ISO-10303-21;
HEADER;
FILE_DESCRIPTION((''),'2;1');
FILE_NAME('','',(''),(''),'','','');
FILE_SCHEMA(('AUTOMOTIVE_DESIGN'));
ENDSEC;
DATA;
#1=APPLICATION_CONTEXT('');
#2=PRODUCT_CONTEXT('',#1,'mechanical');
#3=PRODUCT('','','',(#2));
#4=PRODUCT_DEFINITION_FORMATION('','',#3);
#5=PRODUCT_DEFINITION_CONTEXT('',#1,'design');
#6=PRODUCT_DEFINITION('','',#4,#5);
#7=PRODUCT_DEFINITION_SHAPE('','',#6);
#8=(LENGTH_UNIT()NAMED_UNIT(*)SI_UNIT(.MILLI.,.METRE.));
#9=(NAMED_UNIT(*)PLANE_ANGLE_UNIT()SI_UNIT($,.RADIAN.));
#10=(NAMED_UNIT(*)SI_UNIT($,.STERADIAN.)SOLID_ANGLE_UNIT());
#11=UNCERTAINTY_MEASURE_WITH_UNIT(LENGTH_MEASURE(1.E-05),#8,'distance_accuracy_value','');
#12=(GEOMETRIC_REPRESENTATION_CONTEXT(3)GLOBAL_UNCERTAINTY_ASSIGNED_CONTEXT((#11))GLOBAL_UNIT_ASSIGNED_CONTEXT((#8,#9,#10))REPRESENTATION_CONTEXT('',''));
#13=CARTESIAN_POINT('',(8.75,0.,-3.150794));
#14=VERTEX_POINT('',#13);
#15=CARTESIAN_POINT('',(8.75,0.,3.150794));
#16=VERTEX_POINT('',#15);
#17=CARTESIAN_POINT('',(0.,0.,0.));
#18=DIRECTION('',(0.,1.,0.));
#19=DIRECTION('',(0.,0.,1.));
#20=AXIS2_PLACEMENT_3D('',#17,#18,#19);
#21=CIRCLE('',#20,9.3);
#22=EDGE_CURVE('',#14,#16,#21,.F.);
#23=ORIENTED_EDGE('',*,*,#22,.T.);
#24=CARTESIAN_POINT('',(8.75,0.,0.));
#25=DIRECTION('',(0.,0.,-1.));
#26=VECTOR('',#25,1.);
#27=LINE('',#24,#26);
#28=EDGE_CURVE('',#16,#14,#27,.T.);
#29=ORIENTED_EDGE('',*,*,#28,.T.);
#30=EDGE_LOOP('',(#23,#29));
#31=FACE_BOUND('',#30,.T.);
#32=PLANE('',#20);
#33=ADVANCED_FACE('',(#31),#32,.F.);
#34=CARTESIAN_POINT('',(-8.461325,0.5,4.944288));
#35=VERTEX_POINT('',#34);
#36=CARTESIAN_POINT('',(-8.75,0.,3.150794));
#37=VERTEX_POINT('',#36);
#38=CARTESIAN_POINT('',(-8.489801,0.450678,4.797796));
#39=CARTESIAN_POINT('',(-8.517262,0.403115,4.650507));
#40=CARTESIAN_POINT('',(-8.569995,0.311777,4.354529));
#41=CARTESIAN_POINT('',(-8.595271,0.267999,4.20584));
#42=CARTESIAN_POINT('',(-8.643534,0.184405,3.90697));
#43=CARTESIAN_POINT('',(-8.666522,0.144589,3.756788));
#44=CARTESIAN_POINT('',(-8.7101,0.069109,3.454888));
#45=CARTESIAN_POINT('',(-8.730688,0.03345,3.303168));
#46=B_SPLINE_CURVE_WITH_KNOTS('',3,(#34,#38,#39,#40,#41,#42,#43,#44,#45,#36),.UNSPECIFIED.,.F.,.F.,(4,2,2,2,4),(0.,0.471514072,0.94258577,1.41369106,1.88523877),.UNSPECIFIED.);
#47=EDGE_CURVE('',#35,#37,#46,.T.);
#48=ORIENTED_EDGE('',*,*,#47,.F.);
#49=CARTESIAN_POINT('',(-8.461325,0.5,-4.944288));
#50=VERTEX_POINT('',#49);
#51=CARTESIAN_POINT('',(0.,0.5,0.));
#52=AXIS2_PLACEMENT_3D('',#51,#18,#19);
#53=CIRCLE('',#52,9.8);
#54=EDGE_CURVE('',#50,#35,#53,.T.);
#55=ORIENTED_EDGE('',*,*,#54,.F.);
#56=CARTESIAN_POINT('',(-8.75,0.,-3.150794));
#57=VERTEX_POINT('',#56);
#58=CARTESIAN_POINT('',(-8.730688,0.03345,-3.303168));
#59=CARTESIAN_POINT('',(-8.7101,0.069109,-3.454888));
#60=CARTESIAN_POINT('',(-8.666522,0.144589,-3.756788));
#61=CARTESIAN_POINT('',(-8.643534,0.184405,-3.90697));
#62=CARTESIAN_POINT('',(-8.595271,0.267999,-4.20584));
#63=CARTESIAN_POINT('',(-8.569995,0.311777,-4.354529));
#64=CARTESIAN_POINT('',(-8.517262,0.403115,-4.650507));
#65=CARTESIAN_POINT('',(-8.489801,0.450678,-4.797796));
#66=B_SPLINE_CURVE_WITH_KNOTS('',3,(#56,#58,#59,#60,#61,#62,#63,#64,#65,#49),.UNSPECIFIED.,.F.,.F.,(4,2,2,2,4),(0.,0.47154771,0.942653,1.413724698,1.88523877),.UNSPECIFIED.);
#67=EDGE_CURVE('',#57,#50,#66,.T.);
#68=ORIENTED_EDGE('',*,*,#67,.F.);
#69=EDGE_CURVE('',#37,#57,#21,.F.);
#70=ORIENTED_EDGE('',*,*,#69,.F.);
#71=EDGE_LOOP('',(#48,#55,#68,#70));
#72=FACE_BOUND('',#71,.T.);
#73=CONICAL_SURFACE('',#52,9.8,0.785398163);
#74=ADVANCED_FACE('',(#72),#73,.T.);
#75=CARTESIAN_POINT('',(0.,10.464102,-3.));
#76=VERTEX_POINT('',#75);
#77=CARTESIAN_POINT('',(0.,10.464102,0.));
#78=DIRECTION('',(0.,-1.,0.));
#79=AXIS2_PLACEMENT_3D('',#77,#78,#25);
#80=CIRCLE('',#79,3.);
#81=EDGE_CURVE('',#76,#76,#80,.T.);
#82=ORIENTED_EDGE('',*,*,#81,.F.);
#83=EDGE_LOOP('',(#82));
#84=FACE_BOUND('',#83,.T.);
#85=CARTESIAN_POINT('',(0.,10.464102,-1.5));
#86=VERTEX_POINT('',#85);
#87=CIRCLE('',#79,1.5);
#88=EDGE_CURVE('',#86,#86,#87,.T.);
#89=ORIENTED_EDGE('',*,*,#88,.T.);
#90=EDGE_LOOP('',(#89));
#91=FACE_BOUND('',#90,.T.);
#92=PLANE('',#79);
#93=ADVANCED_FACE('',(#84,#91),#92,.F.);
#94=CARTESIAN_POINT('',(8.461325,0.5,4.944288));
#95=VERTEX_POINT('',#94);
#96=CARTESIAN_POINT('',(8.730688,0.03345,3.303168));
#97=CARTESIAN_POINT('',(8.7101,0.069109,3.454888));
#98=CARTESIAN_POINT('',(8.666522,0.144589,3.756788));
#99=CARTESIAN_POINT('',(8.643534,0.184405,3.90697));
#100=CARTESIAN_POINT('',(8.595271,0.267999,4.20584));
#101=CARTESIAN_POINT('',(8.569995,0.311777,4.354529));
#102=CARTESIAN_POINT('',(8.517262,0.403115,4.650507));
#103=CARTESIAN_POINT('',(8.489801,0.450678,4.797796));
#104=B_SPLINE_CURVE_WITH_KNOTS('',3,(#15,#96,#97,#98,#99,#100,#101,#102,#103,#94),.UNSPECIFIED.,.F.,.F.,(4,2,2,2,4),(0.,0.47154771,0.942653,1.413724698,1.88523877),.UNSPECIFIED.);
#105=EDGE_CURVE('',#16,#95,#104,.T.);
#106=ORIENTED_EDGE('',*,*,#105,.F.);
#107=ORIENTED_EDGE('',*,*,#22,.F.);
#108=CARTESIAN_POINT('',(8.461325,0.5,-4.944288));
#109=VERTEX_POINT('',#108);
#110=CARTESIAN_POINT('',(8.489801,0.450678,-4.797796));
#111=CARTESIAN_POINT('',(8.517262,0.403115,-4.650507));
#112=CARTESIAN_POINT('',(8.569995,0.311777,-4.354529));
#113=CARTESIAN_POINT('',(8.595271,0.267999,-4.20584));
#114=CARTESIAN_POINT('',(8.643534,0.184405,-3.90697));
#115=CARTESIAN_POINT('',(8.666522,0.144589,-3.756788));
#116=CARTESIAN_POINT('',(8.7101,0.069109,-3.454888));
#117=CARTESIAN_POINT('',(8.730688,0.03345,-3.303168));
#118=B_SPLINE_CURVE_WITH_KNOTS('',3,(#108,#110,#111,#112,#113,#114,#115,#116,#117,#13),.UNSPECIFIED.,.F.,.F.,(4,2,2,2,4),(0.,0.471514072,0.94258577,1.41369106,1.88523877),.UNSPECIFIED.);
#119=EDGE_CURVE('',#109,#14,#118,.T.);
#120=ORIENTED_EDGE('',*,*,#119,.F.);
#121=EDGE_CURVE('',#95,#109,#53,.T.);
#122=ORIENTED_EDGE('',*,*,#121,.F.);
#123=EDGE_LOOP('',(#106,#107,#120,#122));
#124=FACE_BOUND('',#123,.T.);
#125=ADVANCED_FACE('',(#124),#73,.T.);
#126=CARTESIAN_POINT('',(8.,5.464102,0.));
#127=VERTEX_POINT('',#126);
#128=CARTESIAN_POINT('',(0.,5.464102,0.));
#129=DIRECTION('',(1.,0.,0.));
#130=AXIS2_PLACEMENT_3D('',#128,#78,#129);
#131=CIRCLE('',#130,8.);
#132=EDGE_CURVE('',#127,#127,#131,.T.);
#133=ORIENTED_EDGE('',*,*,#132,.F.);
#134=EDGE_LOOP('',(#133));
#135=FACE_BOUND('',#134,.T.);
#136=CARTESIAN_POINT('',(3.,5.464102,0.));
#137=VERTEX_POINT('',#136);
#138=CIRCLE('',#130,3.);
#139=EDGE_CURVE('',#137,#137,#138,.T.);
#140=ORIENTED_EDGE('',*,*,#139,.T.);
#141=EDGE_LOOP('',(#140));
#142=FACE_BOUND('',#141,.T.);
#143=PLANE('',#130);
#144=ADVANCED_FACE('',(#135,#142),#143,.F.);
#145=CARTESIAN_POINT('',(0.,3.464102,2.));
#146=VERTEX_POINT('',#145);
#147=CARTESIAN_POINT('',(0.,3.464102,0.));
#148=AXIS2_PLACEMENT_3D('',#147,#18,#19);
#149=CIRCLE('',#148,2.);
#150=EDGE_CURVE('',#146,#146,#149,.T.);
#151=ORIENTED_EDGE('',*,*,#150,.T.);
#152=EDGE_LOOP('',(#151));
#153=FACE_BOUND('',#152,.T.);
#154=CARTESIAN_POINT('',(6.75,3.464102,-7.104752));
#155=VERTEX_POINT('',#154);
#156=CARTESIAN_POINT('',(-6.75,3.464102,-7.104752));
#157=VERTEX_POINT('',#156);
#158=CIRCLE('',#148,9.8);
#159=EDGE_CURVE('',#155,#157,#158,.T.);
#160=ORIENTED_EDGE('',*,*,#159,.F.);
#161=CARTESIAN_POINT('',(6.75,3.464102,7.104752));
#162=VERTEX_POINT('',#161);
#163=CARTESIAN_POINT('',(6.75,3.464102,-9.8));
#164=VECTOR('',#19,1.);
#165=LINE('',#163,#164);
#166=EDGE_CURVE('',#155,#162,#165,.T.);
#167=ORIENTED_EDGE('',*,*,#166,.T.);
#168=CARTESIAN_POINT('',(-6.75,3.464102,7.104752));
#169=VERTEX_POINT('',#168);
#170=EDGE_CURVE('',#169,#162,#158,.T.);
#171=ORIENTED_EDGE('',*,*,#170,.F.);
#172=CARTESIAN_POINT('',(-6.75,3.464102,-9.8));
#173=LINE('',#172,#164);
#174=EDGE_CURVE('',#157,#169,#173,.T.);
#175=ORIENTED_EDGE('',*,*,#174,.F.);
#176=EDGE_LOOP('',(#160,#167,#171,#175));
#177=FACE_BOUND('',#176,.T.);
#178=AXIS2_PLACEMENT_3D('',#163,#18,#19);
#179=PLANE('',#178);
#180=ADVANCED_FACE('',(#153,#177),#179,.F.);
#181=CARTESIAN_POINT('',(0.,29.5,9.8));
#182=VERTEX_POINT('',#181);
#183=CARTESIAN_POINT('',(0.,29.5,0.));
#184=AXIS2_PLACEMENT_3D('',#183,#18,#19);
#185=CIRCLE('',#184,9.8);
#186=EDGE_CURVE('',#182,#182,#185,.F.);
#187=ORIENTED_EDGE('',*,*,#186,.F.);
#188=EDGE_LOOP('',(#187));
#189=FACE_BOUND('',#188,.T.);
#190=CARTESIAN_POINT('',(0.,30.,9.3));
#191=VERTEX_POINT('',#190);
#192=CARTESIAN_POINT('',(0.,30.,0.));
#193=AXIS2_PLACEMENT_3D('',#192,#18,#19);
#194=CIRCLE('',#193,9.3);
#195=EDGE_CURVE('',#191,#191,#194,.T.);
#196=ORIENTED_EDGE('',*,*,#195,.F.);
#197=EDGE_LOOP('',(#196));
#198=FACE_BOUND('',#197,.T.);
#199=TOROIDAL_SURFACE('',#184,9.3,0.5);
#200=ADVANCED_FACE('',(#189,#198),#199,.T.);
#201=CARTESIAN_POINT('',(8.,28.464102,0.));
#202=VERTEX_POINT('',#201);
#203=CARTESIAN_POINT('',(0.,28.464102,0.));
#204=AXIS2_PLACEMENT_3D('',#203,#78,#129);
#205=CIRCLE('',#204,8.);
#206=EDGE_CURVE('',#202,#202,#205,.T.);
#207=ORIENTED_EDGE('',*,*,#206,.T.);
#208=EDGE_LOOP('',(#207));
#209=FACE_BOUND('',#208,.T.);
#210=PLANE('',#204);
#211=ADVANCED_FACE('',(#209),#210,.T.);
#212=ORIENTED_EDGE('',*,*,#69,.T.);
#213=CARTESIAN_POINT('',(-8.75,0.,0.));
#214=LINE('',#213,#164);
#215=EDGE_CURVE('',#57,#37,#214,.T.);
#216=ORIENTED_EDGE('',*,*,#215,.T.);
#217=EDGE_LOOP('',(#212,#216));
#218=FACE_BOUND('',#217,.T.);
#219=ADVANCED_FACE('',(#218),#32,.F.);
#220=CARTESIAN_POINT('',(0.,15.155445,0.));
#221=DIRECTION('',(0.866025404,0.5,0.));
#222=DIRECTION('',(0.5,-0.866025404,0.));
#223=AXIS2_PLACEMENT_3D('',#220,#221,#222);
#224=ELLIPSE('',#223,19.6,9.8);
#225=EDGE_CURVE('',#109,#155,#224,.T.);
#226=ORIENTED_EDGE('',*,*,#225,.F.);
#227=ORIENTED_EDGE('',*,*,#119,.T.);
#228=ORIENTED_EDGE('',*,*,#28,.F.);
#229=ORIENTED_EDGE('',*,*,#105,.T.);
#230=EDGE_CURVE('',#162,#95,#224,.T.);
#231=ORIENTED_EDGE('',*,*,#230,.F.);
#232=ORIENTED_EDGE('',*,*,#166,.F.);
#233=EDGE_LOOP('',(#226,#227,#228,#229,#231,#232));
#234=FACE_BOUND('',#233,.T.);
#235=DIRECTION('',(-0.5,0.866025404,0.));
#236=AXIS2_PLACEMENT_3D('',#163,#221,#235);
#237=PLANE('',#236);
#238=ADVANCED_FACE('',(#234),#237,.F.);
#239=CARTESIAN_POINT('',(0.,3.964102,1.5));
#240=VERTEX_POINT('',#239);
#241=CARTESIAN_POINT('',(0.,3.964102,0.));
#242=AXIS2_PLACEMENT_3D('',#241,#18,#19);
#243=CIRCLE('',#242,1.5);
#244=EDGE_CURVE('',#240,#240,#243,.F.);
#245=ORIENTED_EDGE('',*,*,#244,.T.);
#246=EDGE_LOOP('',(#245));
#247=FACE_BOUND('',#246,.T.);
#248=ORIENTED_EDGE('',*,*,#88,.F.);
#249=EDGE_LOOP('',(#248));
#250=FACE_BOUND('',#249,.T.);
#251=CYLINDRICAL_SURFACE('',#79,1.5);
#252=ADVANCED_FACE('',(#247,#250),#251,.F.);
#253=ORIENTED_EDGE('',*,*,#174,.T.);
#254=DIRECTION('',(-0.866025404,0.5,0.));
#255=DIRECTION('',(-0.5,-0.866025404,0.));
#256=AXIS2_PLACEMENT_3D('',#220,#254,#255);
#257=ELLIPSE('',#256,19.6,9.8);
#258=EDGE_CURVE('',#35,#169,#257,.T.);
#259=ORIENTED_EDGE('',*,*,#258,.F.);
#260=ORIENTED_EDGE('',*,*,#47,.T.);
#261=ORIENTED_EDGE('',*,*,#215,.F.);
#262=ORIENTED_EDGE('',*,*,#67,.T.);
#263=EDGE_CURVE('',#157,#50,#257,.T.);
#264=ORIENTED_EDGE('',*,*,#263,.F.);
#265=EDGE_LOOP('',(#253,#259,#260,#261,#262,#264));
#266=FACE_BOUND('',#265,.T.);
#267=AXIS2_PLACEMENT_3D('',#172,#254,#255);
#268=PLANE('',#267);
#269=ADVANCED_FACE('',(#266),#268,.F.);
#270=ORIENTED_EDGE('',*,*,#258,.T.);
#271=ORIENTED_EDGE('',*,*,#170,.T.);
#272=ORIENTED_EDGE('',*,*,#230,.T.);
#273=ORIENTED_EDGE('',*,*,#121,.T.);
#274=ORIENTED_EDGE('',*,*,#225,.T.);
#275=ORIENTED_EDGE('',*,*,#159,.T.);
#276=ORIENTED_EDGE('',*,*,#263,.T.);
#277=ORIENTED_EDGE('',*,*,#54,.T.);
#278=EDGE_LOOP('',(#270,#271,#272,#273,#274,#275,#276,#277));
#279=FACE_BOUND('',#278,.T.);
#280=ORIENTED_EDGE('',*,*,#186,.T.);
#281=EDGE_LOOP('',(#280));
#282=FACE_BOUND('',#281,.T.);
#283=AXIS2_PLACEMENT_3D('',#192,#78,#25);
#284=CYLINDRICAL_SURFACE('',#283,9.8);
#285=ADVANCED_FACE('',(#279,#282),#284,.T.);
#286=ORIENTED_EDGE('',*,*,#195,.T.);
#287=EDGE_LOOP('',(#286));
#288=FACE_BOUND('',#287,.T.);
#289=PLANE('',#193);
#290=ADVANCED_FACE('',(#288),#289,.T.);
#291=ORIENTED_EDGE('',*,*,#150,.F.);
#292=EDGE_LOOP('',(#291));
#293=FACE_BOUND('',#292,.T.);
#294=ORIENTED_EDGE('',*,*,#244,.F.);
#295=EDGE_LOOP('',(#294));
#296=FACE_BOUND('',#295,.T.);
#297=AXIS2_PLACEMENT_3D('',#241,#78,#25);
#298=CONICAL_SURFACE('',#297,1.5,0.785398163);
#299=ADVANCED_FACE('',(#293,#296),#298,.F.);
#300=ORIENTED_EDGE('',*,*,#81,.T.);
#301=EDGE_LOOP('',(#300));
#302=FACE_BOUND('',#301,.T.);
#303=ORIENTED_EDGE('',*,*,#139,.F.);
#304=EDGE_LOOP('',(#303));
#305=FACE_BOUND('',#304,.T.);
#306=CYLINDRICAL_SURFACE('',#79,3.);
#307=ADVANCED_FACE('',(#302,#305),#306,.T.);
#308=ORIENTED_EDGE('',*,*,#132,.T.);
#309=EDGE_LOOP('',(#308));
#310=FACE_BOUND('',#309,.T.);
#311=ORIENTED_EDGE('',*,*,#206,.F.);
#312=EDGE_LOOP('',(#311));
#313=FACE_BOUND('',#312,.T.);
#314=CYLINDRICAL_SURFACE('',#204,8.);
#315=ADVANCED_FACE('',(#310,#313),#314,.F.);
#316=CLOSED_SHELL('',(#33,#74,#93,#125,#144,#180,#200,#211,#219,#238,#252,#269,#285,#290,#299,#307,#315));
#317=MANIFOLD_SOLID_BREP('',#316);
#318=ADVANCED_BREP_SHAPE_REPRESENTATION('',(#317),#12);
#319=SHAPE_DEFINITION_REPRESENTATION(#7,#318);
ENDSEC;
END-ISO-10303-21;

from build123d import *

# Parameters (mm, degrees)
SKETCH_1_R               = 9.8
EXTRUDE_1_DEPTH          = 30
FILLET_1_R               = 0.5
CUT_EXTRUDE_1_DEPTH      = 34.046633746
CUT_EXTRUDE_1_DEPTH_BACK = 34.046633746
CUT_EXTRUDE_START        = -2
SKETCH_5_R               = 8
CUT_EXTRUDE_2_DEPTH      = 23
CHAMFER_1_SIZE           = 0.5
SKETCH_7_R               = 1.5
CUT_EXTRUDE_4_DEPTH      = 7
SKETCH_9_R               = 3
SKETCH_9_R_2             = 1.5
EXTRUDE_2_DEPTH          = 7
CHAMFER_2_SIZE           = 0.5


with BuildPart() as part:
    # 草图1 → 凸台-拉伸1 (new body)
    with BuildSketch(Plane(origin=(0, 0, 0), x_dir=(1, 0, 0), z_dir=(0, 1, 0))):
        Circle(SKETCH_1_R)
    extrude(amount=EXTRUDE_1_DEPTH)

    # 圆角1
    fillet_1_edges = [part.edges().sort_by_distance(p)[0] for p in [
        (-9.8, 30, 0),
    ]]
    fillet(fillet_1_edges, radius=FILLET_1_R)

    # 草图4 → 切除-拉伸1 (cut, two sides: drawn at the far end of the back side and taken through both)
    with BuildSketch(Plane.XY.offset(-CUT_EXTRUDE_1_DEPTH_BACK)):
        Polygon((6.75, 3.464101615), (-6.75, 3.464101615), (-8.75, 0), (8.75, 0), align=None)
    extrude(amount=CUT_EXTRUDE_1_DEPTH + CUT_EXTRUDE_1_DEPTH_BACK, mode=Mode.SUBTRACT)

    # 草图5 → 切除-拉伸2 (cut)
    with BuildSketch(Plane.XZ.offset(-3.464101615).offset(CUT_EXTRUDE_START)):
        Circle(SKETCH_5_R)
    extrude(amount=-CUT_EXTRUDE_2_DEPTH, mode=Mode.SUBTRACT)

    # 倒角1
    chamfer_1_edges = [part.edges().sort_by_distance(p)[0] for p in [
        (-9.8, 0, 0),
        (9.53388693, 0, 2.268259244),
    ]]
    chamfer(chamfer_1_edges, length=CHAMFER_1_SIZE)

    # 草图7 → 切除-拉伸4 (cut)
    with BuildSketch(Plane.XZ.offset(-3.464101615)):
        Circle(SKETCH_7_R)
    extrude(amount=-CUT_EXTRUDE_4_DEPTH, mode=Mode.SUBTRACT)

    # 草图9 → 凸台-拉伸2 (add)
    with BuildSketch(Plane.XZ.offset(-3.464101615)):
        Circle(SKETCH_9_R)
        Circle(SKETCH_9_R_2, mode=Mode.SUBTRACT)
    extrude(amount=-EXTRUDE_2_DEPTH)

    # 倒角2
    chamfer_2_edges = [part.edges().sort_by_distance(p)[0] for p in [
        (-1.5, 3.464101615, 0),
    ]]
    chamfer(chamfer_2_edges, length=CHAMFER_2_SIZE)


solid = part.part
